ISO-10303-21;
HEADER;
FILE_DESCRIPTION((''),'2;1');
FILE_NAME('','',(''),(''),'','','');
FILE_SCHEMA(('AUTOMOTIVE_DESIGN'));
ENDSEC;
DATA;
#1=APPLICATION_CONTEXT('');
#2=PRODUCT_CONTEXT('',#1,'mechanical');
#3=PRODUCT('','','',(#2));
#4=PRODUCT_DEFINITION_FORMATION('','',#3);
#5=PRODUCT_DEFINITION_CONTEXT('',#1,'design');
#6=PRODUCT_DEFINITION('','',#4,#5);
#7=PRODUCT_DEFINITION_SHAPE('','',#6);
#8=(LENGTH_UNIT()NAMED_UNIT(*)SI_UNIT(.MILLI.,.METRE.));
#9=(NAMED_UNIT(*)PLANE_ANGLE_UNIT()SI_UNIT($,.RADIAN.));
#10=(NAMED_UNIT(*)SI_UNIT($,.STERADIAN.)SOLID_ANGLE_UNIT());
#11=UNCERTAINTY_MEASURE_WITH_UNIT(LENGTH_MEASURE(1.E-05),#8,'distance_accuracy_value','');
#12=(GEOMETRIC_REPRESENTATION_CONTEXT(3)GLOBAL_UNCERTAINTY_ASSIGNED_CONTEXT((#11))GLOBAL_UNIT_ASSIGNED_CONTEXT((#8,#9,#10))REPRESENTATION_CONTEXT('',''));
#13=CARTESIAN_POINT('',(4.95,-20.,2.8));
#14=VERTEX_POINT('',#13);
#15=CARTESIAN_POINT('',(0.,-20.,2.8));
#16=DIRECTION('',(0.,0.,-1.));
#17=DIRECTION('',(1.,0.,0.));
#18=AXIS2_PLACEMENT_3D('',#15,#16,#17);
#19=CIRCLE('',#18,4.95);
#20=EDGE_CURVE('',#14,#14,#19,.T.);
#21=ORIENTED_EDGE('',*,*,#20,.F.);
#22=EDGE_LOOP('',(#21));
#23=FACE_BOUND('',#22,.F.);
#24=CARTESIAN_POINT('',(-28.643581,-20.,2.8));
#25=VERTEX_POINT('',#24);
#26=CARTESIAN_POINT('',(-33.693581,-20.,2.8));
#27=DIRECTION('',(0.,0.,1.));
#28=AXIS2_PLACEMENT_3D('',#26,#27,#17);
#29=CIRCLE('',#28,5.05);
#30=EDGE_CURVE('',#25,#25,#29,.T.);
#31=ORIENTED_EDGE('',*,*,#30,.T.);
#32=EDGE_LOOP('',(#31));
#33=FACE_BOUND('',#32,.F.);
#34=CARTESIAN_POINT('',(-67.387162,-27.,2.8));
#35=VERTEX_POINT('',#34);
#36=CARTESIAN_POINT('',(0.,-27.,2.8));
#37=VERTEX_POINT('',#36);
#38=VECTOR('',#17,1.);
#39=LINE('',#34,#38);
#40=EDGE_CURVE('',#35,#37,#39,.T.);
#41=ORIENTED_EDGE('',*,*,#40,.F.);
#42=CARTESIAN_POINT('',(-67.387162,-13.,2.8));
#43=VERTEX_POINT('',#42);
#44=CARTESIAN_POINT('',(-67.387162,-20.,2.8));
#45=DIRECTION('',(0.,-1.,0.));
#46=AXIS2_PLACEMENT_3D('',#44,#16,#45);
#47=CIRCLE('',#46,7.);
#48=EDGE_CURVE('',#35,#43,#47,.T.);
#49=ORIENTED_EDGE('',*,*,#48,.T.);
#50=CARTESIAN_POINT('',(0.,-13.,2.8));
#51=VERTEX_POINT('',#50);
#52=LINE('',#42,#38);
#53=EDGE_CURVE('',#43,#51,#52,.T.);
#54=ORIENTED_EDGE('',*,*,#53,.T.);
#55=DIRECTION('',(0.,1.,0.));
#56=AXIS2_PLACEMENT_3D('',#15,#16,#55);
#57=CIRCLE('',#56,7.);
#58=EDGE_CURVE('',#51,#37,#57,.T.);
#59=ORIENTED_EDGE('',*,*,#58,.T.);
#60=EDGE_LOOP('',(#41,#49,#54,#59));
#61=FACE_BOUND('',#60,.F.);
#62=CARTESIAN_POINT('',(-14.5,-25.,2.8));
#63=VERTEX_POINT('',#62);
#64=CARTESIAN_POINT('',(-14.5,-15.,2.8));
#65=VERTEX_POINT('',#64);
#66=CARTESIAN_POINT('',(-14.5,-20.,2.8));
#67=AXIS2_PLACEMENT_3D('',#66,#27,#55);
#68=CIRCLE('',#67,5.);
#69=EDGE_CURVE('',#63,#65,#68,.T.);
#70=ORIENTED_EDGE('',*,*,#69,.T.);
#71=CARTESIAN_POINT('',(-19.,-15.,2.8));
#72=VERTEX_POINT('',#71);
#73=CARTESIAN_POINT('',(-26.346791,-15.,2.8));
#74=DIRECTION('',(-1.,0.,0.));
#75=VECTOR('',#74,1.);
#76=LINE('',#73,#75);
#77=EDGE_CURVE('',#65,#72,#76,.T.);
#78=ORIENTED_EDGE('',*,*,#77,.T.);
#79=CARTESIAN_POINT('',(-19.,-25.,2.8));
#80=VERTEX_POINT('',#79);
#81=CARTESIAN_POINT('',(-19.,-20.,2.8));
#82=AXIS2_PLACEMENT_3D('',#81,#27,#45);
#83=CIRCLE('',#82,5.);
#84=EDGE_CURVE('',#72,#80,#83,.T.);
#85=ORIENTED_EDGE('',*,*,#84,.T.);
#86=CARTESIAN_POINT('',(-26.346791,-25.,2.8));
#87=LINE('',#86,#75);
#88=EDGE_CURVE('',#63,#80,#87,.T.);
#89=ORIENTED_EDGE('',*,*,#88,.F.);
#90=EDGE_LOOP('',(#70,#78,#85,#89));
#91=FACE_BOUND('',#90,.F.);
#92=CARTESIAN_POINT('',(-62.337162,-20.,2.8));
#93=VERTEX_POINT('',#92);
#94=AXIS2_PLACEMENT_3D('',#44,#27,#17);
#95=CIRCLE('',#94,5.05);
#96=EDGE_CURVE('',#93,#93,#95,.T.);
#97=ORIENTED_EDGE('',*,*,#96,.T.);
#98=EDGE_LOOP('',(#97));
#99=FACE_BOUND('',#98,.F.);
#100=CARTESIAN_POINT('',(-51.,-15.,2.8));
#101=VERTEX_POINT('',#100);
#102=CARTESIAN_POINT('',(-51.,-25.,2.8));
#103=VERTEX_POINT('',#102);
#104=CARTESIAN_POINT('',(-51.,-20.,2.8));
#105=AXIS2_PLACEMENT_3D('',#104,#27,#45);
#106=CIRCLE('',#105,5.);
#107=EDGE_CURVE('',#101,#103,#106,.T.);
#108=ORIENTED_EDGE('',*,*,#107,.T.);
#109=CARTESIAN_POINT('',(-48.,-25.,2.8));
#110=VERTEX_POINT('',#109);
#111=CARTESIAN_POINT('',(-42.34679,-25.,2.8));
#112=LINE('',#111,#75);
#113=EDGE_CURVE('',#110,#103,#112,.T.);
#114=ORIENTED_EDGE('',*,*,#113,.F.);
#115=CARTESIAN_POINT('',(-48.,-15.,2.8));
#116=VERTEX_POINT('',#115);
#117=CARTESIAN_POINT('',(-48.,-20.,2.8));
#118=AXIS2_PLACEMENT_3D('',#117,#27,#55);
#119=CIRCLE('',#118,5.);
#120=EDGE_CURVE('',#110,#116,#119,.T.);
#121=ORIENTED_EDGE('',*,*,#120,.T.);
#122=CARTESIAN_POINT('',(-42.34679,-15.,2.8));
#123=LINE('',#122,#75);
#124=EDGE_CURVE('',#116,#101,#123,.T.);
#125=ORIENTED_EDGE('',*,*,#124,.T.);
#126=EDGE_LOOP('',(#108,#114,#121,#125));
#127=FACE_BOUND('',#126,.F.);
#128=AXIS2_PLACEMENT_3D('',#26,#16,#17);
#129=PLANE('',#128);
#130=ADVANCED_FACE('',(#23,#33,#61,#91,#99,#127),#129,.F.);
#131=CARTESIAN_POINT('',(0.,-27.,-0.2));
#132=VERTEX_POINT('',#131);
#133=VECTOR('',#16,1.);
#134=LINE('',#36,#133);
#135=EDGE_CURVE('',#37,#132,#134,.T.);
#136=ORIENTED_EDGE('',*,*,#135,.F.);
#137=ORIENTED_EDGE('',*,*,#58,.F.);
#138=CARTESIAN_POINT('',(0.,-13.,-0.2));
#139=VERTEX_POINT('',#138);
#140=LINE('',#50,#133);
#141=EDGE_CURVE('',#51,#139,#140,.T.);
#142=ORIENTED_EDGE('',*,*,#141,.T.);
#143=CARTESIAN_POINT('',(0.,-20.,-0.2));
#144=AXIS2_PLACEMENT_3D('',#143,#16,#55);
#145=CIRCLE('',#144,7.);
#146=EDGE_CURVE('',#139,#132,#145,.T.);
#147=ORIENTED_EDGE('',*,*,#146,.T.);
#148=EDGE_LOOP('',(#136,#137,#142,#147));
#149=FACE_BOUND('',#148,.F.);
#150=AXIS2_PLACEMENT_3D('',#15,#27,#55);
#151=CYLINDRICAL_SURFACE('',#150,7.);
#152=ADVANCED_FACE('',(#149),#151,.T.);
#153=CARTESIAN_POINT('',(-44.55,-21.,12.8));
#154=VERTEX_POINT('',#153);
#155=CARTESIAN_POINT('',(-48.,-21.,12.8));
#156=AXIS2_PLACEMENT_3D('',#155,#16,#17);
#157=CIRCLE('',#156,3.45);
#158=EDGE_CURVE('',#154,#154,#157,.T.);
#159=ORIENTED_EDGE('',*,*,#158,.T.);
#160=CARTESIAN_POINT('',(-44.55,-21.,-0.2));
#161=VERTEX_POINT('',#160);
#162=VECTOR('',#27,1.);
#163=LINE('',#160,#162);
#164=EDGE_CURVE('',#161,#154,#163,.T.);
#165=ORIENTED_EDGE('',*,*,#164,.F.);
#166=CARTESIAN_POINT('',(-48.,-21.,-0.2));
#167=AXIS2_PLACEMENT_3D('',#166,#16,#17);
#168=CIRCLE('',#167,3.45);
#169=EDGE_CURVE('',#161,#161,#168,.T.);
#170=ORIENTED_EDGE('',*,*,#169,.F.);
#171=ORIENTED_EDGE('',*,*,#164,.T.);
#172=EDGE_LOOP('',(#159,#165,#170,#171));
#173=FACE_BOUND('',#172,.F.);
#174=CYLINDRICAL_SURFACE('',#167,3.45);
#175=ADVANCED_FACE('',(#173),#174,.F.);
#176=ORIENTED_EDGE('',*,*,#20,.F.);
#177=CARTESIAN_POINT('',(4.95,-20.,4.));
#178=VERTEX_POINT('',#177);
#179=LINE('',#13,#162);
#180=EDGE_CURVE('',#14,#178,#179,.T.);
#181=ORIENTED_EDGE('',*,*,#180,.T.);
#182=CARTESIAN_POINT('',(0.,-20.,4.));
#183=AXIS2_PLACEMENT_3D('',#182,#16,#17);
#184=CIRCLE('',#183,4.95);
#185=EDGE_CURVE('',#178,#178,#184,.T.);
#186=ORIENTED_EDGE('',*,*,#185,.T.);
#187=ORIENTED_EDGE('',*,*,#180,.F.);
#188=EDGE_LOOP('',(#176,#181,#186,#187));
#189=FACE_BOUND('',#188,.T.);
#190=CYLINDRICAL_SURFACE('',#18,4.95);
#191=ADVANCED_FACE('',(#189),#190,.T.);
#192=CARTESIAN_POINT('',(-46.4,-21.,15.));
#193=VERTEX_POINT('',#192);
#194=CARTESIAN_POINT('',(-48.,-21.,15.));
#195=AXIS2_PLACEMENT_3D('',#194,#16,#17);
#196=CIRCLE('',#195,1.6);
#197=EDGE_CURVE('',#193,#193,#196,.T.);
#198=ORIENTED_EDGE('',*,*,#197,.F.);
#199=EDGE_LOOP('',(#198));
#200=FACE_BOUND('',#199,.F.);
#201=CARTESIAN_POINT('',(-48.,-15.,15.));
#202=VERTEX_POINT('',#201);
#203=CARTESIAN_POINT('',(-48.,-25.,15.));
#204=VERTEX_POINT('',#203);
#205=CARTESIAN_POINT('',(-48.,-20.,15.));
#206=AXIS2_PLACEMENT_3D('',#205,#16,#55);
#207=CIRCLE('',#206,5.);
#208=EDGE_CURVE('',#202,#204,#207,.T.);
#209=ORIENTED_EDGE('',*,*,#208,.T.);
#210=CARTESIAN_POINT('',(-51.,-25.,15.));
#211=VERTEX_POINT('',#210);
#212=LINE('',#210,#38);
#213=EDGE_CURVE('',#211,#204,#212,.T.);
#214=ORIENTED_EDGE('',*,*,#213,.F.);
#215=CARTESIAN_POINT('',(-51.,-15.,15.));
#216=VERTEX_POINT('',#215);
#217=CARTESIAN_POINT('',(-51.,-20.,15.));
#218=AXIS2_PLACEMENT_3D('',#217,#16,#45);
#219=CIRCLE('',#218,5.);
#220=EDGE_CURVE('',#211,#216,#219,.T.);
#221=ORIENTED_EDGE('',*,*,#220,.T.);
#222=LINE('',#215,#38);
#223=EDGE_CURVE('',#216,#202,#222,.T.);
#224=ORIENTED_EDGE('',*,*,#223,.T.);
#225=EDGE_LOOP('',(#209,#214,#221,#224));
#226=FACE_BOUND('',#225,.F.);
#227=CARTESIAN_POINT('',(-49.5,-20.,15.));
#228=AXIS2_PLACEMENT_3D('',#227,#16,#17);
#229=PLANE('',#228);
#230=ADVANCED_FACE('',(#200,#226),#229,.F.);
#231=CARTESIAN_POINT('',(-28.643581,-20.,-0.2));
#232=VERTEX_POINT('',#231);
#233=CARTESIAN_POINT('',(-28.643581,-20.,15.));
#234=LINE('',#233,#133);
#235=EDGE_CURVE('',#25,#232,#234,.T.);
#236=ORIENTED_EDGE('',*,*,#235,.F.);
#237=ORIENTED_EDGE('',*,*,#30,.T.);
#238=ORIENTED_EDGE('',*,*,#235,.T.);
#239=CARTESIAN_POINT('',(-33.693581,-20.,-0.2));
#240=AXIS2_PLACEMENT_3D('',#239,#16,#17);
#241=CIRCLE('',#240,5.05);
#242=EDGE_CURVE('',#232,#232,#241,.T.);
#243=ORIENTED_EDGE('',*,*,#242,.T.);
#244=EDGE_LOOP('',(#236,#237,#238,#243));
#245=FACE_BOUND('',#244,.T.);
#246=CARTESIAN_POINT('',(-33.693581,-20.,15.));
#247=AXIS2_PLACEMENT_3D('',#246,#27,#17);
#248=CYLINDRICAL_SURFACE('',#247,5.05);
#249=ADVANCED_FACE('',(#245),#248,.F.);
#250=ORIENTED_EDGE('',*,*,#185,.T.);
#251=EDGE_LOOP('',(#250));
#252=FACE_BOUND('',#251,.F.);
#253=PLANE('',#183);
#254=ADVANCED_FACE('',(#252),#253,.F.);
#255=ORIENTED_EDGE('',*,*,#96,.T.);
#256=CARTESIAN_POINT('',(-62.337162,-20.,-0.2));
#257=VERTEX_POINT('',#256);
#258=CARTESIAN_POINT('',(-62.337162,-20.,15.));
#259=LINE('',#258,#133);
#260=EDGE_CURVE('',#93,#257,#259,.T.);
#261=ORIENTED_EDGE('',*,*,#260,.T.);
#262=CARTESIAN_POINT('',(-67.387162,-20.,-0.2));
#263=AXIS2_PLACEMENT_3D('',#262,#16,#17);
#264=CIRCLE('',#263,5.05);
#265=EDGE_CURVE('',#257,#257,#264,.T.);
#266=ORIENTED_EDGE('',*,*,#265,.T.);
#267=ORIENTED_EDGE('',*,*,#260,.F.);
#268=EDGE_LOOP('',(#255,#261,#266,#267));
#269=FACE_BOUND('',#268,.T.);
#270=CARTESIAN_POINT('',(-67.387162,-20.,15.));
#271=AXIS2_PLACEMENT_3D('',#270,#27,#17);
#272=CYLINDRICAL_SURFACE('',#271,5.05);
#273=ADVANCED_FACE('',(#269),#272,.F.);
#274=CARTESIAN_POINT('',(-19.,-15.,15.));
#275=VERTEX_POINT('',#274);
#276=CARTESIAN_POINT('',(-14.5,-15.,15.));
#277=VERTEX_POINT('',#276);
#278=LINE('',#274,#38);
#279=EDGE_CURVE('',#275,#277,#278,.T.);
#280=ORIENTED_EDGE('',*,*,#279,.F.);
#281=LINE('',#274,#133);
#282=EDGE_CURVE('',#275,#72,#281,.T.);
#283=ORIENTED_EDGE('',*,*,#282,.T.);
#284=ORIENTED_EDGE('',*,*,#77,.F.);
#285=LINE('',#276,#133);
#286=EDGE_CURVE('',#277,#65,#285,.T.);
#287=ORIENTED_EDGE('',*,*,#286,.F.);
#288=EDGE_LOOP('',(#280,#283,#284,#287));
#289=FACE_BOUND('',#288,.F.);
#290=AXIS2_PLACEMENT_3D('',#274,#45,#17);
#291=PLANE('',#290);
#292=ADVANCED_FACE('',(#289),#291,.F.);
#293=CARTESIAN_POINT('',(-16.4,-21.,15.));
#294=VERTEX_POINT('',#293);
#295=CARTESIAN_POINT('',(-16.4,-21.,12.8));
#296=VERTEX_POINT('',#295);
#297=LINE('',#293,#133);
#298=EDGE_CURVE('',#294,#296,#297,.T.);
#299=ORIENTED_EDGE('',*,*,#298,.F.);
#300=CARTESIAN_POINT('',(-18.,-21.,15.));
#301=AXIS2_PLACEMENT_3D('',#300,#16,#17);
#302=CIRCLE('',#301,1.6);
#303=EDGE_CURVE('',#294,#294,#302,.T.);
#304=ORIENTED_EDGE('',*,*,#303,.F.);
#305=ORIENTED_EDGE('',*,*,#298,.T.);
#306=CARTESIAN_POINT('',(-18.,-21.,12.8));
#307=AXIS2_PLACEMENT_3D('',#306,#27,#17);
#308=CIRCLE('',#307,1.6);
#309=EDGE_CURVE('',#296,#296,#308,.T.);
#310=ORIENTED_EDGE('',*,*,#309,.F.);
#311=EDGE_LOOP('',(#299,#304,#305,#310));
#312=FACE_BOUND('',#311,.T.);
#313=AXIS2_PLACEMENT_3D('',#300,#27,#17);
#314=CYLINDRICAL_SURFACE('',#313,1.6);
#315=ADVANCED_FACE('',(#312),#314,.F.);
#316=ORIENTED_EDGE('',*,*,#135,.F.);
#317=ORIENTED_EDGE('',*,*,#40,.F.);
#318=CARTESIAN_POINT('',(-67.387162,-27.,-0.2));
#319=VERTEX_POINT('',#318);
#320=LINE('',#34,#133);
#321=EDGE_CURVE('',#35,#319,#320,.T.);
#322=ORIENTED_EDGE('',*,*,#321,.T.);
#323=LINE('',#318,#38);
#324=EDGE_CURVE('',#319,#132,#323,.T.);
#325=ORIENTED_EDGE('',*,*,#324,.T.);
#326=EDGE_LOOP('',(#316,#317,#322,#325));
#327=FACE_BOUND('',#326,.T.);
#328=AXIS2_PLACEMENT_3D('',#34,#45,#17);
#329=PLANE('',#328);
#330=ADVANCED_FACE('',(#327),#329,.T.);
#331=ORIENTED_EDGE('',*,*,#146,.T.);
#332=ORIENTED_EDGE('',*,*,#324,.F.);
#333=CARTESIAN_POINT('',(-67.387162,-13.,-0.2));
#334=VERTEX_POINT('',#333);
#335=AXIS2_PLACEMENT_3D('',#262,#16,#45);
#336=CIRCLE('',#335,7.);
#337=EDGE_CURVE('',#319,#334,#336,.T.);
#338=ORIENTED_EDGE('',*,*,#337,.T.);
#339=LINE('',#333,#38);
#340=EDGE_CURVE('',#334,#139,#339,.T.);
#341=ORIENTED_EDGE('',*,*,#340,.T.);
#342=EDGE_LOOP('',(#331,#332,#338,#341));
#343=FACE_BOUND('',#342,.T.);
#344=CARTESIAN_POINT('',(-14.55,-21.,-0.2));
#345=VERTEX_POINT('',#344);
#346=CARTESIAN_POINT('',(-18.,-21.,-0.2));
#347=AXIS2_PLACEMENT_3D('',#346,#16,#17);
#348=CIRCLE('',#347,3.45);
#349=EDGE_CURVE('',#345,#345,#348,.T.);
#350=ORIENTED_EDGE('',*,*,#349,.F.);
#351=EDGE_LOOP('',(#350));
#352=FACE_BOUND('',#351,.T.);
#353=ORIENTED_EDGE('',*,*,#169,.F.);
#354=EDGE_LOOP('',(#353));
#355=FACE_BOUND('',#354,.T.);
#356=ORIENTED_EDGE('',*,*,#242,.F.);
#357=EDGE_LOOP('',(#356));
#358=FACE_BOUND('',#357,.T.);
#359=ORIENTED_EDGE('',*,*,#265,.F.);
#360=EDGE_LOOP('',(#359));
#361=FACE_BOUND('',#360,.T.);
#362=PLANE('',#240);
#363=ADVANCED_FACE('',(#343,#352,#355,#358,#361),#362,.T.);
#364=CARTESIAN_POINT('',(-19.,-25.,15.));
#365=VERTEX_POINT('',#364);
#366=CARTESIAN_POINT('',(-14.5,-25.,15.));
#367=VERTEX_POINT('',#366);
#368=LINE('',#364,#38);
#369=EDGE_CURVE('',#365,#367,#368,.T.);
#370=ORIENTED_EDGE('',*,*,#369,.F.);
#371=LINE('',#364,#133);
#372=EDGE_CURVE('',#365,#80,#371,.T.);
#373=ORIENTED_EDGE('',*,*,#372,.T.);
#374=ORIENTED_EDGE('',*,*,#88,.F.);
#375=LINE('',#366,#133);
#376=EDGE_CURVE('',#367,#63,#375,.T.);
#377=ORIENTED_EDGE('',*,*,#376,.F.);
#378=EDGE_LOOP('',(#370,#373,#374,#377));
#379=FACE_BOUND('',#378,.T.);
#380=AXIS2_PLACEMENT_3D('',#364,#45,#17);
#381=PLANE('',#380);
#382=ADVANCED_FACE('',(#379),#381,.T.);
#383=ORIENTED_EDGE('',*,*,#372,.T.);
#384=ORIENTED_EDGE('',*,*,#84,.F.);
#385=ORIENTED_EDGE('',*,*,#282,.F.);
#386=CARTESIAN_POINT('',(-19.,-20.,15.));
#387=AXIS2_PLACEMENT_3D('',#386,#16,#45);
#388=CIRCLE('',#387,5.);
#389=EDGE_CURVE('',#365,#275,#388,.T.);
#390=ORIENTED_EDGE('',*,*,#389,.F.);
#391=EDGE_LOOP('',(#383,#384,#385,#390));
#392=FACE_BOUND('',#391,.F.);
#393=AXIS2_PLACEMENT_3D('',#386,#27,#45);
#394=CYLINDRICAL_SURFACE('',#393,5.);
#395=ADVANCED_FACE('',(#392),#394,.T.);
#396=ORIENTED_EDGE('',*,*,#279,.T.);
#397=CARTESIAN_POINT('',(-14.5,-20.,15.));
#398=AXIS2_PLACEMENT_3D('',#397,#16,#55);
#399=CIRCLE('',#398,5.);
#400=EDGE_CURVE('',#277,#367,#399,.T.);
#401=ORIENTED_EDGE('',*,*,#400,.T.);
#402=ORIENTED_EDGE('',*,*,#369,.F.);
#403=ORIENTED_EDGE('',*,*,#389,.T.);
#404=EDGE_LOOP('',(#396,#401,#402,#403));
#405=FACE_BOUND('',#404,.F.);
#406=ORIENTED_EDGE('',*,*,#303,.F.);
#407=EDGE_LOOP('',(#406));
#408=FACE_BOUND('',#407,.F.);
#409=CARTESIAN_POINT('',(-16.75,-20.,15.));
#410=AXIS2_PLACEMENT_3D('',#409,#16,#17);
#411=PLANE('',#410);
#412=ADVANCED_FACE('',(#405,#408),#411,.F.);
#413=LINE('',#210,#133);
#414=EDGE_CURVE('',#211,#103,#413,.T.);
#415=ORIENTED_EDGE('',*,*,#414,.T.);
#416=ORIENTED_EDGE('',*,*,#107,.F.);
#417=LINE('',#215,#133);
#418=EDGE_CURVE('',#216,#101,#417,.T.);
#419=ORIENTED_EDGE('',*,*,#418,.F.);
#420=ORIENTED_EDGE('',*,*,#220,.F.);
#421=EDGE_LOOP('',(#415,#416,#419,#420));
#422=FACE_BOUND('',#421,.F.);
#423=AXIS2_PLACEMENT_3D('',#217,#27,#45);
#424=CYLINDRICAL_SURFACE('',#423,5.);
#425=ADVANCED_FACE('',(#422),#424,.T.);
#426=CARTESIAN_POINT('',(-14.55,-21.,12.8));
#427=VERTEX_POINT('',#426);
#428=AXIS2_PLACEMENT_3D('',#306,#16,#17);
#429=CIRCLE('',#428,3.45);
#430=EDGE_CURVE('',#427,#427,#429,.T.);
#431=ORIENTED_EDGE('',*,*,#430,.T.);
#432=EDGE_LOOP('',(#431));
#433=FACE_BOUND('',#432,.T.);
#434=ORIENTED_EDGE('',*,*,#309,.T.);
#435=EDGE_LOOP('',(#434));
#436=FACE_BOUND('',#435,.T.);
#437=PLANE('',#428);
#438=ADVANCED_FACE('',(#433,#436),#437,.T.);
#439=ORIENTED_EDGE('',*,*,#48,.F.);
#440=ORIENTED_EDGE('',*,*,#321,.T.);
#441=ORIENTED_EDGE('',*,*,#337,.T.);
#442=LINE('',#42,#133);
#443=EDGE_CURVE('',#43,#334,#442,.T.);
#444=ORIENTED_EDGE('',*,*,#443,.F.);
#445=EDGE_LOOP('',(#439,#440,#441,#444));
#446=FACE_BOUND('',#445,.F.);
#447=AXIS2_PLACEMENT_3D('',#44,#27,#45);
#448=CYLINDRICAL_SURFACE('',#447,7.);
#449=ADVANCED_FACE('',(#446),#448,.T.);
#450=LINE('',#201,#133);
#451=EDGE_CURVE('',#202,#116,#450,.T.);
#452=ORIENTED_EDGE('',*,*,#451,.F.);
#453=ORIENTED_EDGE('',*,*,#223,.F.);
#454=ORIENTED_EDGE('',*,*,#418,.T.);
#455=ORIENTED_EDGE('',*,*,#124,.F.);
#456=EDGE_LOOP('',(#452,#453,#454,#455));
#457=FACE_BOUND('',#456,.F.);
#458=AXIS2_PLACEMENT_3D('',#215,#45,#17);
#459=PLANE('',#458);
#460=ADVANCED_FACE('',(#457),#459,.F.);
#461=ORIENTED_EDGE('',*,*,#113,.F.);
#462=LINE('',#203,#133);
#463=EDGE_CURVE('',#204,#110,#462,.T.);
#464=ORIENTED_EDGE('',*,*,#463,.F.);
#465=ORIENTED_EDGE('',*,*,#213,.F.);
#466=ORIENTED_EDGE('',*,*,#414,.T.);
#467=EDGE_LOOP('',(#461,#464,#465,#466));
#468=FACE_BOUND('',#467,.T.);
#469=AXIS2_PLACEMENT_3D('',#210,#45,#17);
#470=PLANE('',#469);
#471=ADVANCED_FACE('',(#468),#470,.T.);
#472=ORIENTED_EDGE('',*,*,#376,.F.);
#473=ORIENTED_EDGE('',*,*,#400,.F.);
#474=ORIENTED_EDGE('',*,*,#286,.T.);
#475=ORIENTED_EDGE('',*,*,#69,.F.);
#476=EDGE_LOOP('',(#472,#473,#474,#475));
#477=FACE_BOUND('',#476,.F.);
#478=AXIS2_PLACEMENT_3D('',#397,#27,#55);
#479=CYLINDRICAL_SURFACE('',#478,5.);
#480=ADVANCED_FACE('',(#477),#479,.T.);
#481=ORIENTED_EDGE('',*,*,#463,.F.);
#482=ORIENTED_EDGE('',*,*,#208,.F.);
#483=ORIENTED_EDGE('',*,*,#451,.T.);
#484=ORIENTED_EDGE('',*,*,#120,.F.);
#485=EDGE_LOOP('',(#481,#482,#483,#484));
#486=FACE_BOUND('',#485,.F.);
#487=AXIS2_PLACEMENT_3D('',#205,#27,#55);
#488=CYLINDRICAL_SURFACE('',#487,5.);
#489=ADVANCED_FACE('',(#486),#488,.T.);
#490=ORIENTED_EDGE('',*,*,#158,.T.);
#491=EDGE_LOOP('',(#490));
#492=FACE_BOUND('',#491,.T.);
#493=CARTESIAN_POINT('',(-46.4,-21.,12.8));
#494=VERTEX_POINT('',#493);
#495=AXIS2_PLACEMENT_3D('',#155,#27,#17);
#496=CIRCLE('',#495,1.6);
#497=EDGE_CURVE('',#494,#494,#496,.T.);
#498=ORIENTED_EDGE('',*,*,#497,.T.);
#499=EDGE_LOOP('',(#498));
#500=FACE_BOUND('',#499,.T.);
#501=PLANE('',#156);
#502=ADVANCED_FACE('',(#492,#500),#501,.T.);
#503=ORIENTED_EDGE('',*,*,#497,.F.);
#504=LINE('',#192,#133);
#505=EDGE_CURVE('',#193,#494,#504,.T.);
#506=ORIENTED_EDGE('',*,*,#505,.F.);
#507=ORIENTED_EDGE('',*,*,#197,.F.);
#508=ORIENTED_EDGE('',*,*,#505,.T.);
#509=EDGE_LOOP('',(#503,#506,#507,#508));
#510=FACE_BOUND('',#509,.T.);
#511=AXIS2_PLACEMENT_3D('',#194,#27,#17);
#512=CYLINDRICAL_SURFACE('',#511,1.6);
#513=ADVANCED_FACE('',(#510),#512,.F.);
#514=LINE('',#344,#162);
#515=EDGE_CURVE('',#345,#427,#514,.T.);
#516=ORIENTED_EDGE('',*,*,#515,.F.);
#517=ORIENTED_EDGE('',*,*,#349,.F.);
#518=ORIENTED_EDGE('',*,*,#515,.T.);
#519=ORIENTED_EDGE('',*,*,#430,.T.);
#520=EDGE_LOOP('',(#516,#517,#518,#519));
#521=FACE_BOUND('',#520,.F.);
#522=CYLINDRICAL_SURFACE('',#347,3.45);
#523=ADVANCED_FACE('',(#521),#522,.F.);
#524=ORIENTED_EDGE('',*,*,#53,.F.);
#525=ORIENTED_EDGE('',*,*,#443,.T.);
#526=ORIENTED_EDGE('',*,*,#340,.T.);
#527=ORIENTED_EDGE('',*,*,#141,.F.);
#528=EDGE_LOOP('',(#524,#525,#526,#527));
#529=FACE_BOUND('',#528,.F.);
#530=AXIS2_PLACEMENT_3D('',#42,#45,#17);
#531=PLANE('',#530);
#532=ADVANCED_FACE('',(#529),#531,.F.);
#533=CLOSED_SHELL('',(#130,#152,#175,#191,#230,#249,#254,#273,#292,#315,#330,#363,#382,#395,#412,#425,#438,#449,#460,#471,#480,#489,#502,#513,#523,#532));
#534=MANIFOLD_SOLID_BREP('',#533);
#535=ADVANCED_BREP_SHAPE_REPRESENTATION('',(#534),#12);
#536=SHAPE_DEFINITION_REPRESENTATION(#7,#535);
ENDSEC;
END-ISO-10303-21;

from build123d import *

# Parameters (mm, degrees)
PAD008_DEPTH             = 3
PAD009_DEPTH             = 15.2
SKETCH025_R              = 5.05
SKETCH025_R_2            = 1.6
POCKET_DEPTH             = 15.2
SKETCH026_R              = 4.95
PAD010_DEPTH             = 1.2
SKETCH027_R              = 3.45
POCKET001_DEPTH          = 13
CLONE008_PLACEMENT_ANGLE = 180


with BuildPart() as part:
    # Sketch023 → Pad008 (new body)
    with BuildSketch(Plane.XY.offset(12.2)):
        with BuildLine():
            ThreePointArc((-67.387162, 7), (-74.387162, 0), (-67.387162, -7))
            Line((-67.387162, -7), (0, -7))
            ThreePointArc((0, -7), (7, 0), (0, 7))
            Line((-67.387162, 7), (0, 7))
        make_face()
    extrude(amount=PAD008_DEPTH)

    # Sketch024 → Pad009 (join)
    with BuildSketch(Plane.XY):
        with BuildLine():
            ThreePointArc((-19, 5), (-24, 0), (-19, -5))
            Line((-19, -5), (-14.5, -5))
            ThreePointArc((-14.5, -5), (-9.5, 0), (-14.5, 5))
            Line((-19, 5), (-14.5, 5))
        make_face()
        with BuildLine():
            ThreePointArc((-51, 5), (-56, 0), (-51, -5))
            Line((-51, -5), (-48, -5))
            ThreePointArc((-48, -5), (-43, 0), (-48, 5))
            Line((-51, 5), (-48, 5))
        make_face()
    extrude(amount=PAD009_DEPTH)

    # Sketch025 → Pocket (cut)
    with BuildSketch(Plane.XY):
        with Locations((-33.693581, 0)):
            Circle(SKETCH025_R)
        with Locations((-67.387162, 0)):
            Circle(SKETCH025_R)
        with Locations((-18, 1)):
            Circle(SKETCH025_R_2)
        with Locations((-48, 1)):
            Circle(SKETCH025_R_2)
    extrude(amount=POCKET_DEPTH, mode=Mode.SUBTRACT)

    # Sketch026 → Pad010 (join)
    with BuildSketch(Plane.XY.offset(12.2)):
        Circle(SKETCH026_R)
    extrude(amount=-PAD010_DEPTH)

    # Sketch027 → Pocket001 (cut)
    with BuildSketch(Plane.XY.offset(15.2)):
        with Locations((-18, 1)):
            Circle(SKETCH027_R)
        with Locations((-48, 1)):
            Circle(SKETCH027_R)
    extrude(amount=-POCKET001_DEPTH, mode=Mode.SUBTRACT)


with BuildPart() as part_1:
    # Clone008 placement: moved
    add(part.part.moved(Location((0, -20, 15))).rotate(Axis((0, -20, 15), (1, 0, 0)), CLONE008_PLACEMENT_ANGLE))


solid = part_1.part
